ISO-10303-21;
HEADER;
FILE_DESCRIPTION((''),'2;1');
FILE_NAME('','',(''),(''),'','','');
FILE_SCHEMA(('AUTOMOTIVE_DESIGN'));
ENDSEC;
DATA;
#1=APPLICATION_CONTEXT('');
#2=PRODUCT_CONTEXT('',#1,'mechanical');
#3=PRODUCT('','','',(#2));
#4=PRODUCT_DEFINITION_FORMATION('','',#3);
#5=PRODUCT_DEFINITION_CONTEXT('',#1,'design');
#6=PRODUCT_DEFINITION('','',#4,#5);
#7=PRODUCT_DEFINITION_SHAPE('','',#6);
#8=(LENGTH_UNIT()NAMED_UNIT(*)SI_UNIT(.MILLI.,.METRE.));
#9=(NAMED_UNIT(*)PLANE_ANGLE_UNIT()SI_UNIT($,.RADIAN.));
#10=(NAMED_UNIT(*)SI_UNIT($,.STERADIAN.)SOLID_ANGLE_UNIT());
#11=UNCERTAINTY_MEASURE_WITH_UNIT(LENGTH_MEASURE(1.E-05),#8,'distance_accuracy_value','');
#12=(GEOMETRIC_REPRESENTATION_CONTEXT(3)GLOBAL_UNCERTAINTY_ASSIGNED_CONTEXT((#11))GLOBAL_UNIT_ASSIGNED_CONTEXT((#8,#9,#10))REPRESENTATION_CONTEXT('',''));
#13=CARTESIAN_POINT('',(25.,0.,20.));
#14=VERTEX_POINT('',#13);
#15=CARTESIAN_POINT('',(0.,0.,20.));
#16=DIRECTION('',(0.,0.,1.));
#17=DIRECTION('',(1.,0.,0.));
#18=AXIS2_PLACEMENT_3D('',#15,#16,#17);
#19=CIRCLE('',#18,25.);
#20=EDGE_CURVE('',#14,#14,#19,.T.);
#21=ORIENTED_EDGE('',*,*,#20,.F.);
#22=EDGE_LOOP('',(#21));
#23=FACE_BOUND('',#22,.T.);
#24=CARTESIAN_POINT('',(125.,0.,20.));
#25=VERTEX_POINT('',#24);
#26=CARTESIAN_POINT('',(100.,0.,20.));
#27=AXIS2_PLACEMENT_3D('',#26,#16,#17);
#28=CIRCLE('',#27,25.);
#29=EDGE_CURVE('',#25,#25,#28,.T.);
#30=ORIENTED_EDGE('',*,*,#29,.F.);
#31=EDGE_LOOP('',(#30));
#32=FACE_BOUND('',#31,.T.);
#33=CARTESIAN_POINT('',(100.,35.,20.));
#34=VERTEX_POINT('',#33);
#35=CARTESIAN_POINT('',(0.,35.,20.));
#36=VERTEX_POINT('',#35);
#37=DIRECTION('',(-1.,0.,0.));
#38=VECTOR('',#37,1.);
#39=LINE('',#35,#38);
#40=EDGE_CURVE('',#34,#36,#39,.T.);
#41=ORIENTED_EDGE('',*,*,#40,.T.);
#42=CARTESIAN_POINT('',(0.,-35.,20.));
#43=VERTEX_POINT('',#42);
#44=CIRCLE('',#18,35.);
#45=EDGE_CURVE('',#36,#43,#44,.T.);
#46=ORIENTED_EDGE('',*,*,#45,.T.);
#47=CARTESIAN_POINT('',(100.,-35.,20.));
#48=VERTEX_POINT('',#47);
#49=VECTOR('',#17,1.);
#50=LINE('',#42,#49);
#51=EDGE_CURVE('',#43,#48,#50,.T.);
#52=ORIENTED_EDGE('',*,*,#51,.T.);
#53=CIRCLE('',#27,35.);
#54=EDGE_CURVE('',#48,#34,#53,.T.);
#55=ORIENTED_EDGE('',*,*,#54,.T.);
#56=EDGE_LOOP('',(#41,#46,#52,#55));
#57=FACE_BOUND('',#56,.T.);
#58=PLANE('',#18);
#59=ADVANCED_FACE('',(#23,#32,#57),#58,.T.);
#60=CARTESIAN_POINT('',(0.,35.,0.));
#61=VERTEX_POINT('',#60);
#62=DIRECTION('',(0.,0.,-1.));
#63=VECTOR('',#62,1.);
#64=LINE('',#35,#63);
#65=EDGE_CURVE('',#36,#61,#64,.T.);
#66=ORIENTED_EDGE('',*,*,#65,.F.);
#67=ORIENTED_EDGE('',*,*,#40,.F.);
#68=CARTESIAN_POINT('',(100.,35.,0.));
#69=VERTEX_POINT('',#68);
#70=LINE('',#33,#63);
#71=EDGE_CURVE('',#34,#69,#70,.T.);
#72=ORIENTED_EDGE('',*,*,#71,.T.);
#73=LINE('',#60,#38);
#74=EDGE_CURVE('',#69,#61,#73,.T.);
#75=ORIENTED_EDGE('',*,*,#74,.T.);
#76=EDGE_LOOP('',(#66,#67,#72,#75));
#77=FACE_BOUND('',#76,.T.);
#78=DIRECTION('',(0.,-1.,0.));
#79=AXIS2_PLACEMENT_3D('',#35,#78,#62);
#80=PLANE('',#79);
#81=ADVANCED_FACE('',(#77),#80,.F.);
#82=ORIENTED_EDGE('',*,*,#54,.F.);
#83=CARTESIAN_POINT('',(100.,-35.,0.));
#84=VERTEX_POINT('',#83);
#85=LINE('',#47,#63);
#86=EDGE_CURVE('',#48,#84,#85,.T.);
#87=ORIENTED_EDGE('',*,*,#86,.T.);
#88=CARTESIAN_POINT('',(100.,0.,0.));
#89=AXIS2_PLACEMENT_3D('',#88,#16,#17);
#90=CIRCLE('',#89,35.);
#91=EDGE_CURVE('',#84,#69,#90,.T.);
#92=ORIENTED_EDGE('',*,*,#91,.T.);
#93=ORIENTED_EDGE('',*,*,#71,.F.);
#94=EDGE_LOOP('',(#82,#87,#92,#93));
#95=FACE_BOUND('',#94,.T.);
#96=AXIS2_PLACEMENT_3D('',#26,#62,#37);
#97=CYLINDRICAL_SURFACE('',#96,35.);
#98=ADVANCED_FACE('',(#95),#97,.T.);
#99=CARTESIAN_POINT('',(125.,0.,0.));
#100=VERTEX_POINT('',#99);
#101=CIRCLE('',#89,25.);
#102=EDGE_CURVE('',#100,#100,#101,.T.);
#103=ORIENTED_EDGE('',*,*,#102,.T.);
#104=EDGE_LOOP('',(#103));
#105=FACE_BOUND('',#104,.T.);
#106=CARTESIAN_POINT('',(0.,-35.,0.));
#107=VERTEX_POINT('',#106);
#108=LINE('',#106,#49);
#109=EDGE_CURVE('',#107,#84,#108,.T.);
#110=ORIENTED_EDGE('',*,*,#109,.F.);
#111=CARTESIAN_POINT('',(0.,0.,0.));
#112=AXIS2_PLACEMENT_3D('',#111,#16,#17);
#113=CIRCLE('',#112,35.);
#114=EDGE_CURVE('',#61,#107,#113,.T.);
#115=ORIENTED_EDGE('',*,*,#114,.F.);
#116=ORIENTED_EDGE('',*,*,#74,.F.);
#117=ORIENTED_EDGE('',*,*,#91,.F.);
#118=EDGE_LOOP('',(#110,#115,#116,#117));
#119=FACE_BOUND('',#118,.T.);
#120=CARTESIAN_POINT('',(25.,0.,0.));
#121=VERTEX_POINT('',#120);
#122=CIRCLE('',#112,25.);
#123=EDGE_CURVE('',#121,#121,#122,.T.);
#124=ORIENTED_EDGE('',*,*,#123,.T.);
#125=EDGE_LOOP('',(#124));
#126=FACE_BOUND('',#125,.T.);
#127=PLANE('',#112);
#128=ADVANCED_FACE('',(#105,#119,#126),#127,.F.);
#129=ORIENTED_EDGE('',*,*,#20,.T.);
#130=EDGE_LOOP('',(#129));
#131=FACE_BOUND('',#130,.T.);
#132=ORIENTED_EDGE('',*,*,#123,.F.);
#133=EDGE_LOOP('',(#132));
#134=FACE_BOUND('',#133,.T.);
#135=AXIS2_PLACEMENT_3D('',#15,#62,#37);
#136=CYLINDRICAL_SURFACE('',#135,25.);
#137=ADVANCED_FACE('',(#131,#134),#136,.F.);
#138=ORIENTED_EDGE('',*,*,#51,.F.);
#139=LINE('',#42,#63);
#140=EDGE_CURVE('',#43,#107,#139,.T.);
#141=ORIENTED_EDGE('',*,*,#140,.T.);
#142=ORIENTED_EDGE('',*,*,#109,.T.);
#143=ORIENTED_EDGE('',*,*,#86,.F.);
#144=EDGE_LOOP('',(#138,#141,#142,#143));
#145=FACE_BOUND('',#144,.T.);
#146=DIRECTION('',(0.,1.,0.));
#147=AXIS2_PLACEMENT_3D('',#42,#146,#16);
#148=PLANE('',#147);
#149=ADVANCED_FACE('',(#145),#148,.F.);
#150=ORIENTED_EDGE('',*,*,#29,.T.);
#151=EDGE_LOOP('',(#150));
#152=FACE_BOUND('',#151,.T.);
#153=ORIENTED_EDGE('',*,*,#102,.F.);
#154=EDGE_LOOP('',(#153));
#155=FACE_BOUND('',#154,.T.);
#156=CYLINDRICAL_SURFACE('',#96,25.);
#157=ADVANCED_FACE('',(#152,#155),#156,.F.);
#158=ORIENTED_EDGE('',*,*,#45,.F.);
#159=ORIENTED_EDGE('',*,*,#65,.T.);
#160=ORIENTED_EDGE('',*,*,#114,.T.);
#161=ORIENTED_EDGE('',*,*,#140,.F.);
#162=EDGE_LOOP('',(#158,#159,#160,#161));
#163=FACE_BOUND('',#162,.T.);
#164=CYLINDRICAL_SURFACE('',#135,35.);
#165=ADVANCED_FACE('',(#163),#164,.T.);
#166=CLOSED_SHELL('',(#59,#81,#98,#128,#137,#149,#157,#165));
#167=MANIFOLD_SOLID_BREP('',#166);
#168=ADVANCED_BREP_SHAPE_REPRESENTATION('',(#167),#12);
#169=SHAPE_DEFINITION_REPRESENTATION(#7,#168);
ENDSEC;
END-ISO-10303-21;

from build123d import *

# Parameters (mm, degrees)
SKETCH_1_R      = 25
EXTRUDE_1_DEPTH = 20


with BuildPart() as part:
    # Эскиз1 → Бобышка-Вытянуть1 (new body)
    with BuildSketch(Plane.XY):
        with BuildLine():
            Line((0, 35), (100, 35))
            ThreePointArc((100, 35), (135, 0), (100, -35))
            Line((100, -35), (0, -35))
            ThreePointArc((0, -35), (-35, 0), (0, 35))
        make_face()
        Circle(SKETCH_1_R, mode=Mode.SUBTRACT)
        with Locations((100, 0)):
            Circle(SKETCH_1_R, mode=Mode.SUBTRACT)
    extrude(amount=EXTRUDE_1_DEPTH)


solid = part.part
